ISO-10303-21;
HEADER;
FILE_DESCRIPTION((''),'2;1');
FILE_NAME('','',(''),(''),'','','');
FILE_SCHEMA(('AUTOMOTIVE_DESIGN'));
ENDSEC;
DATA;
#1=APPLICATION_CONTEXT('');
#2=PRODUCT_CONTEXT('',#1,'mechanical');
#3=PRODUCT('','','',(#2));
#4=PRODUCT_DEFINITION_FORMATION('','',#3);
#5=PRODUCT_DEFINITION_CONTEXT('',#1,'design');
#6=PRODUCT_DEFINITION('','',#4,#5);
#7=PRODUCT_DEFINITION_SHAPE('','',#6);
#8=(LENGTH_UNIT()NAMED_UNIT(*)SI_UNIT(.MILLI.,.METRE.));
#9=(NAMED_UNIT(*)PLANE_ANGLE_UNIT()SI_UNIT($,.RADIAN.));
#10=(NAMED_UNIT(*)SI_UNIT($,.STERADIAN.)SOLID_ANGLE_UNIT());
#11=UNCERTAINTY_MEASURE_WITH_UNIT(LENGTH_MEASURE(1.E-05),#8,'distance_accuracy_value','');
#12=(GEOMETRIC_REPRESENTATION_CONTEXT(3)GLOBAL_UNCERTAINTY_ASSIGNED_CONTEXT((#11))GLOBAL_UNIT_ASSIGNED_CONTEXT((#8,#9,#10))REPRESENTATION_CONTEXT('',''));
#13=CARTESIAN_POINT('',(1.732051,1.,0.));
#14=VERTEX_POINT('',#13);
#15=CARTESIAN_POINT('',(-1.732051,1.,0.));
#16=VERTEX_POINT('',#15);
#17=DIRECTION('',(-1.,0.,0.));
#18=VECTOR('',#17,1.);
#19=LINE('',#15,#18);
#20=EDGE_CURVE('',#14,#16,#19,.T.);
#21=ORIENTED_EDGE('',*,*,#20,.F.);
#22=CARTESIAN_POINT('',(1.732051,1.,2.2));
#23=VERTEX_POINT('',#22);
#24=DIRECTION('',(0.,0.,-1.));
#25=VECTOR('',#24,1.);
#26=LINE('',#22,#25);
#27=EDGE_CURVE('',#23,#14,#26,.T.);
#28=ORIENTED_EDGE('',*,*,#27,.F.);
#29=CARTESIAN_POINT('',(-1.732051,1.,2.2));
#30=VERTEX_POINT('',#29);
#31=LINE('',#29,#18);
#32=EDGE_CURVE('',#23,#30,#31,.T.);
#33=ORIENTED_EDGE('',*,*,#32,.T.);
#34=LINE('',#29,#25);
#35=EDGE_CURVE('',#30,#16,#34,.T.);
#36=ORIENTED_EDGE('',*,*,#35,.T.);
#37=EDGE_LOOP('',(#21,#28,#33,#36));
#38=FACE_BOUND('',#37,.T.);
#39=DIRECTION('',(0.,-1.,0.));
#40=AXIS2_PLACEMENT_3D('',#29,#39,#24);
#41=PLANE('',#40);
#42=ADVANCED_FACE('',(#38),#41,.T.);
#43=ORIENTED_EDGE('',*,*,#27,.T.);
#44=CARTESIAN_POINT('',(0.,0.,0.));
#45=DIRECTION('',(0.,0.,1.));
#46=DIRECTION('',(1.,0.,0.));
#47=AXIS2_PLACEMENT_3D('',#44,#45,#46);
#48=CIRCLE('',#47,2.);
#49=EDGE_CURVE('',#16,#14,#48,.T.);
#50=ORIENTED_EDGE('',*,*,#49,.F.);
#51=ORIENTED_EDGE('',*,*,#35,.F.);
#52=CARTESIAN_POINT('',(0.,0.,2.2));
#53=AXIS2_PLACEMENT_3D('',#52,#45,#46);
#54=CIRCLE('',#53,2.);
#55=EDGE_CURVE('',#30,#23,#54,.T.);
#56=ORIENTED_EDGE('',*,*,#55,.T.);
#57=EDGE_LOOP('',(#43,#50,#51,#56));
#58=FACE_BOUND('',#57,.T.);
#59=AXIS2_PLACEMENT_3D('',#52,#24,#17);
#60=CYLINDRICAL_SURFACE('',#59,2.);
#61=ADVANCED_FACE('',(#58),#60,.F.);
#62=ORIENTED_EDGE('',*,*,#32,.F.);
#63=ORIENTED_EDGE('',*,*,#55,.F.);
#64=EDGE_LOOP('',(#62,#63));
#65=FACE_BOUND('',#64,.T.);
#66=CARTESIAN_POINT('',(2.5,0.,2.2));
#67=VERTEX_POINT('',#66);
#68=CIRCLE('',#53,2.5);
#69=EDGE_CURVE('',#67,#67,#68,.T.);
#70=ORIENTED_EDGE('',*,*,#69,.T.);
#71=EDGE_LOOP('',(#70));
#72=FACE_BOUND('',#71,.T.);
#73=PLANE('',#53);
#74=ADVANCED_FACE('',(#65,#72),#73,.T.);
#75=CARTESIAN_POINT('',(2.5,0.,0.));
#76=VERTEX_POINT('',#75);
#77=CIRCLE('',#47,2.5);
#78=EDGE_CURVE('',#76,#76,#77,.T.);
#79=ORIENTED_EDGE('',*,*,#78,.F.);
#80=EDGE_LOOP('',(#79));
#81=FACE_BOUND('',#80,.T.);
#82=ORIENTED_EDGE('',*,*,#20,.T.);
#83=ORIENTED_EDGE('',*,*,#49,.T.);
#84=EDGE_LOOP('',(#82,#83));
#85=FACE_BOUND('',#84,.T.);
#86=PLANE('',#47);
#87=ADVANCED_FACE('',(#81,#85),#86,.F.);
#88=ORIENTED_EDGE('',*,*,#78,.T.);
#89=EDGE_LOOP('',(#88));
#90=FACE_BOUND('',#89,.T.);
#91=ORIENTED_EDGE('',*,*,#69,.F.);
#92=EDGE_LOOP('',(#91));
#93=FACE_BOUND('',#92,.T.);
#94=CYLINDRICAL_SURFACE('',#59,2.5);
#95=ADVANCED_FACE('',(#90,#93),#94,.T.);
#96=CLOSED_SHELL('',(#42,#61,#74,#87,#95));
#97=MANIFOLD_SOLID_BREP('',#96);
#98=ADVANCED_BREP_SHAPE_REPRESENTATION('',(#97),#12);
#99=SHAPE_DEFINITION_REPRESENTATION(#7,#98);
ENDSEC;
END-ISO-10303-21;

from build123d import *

# Parameters (mm, degrees)
SKETCH1_R           = 2.5
BOSS_EXTRUDE1_DEPTH = 2.2


with BuildPart() as part:
    # Sketch1 → Boss-Extrude1 (new body)
    with BuildSketch(Plane.XY):
        Circle(SKETCH1_R)
        with BuildLine():
            Line((-1.732050808, 1), (1.732050808, 1))
            ThreePointArc((1.732050808, 1), (0, -2), (-1.732050808, 1))
        make_face(mode=Mode.SUBTRACT)
    extrude(amount=BOSS_EXTRUDE1_DEPTH)


solid = part.part
